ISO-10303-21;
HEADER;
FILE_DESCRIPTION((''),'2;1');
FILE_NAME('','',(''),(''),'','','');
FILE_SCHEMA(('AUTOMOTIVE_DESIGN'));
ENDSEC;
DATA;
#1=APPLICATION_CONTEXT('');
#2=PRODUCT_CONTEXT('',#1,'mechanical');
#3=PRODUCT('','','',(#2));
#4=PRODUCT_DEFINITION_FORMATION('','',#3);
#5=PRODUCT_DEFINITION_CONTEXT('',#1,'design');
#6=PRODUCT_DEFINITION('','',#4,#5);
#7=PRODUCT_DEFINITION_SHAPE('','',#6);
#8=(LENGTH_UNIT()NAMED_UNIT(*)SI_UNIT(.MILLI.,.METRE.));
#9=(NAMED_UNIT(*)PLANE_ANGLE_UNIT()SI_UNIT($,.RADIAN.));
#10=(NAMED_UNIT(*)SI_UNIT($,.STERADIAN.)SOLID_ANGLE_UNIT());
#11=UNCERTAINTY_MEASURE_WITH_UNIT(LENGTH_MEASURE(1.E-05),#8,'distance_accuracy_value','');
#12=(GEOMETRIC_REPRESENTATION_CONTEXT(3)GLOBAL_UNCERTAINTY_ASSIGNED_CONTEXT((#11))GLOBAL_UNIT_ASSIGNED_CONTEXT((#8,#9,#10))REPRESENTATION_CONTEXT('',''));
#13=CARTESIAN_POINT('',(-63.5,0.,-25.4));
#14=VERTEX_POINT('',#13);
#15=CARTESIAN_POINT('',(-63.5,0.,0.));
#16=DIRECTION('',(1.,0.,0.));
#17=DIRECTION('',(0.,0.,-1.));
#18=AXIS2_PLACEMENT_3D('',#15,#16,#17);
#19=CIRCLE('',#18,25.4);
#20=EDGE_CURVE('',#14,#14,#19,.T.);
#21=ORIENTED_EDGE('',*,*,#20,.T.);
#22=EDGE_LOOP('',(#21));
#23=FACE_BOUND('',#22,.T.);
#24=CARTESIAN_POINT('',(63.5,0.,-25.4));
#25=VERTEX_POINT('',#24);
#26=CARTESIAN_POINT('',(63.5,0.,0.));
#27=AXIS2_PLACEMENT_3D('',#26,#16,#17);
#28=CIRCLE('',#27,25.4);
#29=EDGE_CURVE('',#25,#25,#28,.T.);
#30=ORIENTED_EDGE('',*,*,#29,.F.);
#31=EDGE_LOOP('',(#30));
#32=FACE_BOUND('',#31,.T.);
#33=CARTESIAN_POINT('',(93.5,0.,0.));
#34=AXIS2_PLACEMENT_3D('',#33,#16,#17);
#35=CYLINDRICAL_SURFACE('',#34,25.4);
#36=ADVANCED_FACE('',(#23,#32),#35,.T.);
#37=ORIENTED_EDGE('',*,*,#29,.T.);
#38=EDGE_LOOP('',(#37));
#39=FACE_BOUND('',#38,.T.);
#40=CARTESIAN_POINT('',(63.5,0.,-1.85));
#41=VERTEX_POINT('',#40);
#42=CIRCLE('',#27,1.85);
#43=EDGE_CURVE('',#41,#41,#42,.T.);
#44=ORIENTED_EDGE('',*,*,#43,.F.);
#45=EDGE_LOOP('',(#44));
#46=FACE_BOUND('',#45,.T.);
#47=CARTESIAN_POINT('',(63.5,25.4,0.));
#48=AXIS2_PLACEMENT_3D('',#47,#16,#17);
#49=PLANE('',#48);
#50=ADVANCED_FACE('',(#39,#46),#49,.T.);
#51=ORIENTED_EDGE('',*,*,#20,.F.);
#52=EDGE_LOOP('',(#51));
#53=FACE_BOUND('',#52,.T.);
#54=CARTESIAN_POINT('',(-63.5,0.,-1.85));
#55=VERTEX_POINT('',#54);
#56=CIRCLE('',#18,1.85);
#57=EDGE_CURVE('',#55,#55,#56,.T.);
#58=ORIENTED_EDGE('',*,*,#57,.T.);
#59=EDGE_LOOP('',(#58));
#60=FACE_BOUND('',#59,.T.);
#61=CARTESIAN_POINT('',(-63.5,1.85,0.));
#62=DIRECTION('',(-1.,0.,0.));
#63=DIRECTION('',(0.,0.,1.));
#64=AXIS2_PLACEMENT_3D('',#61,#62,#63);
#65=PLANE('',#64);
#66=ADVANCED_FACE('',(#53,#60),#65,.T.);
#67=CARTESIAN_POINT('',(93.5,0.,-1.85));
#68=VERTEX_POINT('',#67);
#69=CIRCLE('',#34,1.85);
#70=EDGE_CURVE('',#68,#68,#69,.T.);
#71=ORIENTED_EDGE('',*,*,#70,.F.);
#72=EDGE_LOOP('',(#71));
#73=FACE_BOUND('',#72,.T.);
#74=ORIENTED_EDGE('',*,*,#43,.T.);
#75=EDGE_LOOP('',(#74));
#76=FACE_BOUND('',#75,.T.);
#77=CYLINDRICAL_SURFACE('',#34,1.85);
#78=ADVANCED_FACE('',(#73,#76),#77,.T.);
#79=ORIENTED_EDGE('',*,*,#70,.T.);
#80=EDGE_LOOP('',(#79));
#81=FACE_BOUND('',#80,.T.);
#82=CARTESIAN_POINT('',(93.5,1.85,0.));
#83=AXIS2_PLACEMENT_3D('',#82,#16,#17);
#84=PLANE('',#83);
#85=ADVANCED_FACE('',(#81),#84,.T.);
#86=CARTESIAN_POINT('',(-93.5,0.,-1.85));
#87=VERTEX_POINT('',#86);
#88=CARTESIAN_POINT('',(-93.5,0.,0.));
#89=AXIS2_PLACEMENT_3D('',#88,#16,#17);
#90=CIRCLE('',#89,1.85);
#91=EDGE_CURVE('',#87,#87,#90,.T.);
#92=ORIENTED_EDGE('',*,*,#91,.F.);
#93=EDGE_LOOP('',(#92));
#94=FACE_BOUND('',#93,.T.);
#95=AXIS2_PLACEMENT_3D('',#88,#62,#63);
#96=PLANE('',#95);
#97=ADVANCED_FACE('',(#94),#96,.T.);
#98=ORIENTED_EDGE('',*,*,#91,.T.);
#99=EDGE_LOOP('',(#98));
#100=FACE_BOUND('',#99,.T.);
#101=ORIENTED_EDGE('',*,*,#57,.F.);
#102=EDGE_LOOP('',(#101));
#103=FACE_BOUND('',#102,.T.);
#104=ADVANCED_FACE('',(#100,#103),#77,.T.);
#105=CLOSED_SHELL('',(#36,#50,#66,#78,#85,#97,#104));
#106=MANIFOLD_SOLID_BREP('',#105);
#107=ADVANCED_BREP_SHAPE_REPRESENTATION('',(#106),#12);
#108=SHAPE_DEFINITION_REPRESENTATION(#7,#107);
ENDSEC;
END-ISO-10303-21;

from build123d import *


with BuildPart() as part:
    # Sketch1 → Revolve1 (revolve)
    with BuildSketch(Plane.XY):
        Polygon((-93.5, 0), (-93.5, 1.85), (-63.5, 1.85), (-63.5, 25.4), (63.5, 25.4), (63.5, 1.85), (93.5, 1.85), (93.5, 0), align=None)
    revolve(axis=Axis((93.5, 0, 0), (-1, 0, 0)))


solid = part.part
